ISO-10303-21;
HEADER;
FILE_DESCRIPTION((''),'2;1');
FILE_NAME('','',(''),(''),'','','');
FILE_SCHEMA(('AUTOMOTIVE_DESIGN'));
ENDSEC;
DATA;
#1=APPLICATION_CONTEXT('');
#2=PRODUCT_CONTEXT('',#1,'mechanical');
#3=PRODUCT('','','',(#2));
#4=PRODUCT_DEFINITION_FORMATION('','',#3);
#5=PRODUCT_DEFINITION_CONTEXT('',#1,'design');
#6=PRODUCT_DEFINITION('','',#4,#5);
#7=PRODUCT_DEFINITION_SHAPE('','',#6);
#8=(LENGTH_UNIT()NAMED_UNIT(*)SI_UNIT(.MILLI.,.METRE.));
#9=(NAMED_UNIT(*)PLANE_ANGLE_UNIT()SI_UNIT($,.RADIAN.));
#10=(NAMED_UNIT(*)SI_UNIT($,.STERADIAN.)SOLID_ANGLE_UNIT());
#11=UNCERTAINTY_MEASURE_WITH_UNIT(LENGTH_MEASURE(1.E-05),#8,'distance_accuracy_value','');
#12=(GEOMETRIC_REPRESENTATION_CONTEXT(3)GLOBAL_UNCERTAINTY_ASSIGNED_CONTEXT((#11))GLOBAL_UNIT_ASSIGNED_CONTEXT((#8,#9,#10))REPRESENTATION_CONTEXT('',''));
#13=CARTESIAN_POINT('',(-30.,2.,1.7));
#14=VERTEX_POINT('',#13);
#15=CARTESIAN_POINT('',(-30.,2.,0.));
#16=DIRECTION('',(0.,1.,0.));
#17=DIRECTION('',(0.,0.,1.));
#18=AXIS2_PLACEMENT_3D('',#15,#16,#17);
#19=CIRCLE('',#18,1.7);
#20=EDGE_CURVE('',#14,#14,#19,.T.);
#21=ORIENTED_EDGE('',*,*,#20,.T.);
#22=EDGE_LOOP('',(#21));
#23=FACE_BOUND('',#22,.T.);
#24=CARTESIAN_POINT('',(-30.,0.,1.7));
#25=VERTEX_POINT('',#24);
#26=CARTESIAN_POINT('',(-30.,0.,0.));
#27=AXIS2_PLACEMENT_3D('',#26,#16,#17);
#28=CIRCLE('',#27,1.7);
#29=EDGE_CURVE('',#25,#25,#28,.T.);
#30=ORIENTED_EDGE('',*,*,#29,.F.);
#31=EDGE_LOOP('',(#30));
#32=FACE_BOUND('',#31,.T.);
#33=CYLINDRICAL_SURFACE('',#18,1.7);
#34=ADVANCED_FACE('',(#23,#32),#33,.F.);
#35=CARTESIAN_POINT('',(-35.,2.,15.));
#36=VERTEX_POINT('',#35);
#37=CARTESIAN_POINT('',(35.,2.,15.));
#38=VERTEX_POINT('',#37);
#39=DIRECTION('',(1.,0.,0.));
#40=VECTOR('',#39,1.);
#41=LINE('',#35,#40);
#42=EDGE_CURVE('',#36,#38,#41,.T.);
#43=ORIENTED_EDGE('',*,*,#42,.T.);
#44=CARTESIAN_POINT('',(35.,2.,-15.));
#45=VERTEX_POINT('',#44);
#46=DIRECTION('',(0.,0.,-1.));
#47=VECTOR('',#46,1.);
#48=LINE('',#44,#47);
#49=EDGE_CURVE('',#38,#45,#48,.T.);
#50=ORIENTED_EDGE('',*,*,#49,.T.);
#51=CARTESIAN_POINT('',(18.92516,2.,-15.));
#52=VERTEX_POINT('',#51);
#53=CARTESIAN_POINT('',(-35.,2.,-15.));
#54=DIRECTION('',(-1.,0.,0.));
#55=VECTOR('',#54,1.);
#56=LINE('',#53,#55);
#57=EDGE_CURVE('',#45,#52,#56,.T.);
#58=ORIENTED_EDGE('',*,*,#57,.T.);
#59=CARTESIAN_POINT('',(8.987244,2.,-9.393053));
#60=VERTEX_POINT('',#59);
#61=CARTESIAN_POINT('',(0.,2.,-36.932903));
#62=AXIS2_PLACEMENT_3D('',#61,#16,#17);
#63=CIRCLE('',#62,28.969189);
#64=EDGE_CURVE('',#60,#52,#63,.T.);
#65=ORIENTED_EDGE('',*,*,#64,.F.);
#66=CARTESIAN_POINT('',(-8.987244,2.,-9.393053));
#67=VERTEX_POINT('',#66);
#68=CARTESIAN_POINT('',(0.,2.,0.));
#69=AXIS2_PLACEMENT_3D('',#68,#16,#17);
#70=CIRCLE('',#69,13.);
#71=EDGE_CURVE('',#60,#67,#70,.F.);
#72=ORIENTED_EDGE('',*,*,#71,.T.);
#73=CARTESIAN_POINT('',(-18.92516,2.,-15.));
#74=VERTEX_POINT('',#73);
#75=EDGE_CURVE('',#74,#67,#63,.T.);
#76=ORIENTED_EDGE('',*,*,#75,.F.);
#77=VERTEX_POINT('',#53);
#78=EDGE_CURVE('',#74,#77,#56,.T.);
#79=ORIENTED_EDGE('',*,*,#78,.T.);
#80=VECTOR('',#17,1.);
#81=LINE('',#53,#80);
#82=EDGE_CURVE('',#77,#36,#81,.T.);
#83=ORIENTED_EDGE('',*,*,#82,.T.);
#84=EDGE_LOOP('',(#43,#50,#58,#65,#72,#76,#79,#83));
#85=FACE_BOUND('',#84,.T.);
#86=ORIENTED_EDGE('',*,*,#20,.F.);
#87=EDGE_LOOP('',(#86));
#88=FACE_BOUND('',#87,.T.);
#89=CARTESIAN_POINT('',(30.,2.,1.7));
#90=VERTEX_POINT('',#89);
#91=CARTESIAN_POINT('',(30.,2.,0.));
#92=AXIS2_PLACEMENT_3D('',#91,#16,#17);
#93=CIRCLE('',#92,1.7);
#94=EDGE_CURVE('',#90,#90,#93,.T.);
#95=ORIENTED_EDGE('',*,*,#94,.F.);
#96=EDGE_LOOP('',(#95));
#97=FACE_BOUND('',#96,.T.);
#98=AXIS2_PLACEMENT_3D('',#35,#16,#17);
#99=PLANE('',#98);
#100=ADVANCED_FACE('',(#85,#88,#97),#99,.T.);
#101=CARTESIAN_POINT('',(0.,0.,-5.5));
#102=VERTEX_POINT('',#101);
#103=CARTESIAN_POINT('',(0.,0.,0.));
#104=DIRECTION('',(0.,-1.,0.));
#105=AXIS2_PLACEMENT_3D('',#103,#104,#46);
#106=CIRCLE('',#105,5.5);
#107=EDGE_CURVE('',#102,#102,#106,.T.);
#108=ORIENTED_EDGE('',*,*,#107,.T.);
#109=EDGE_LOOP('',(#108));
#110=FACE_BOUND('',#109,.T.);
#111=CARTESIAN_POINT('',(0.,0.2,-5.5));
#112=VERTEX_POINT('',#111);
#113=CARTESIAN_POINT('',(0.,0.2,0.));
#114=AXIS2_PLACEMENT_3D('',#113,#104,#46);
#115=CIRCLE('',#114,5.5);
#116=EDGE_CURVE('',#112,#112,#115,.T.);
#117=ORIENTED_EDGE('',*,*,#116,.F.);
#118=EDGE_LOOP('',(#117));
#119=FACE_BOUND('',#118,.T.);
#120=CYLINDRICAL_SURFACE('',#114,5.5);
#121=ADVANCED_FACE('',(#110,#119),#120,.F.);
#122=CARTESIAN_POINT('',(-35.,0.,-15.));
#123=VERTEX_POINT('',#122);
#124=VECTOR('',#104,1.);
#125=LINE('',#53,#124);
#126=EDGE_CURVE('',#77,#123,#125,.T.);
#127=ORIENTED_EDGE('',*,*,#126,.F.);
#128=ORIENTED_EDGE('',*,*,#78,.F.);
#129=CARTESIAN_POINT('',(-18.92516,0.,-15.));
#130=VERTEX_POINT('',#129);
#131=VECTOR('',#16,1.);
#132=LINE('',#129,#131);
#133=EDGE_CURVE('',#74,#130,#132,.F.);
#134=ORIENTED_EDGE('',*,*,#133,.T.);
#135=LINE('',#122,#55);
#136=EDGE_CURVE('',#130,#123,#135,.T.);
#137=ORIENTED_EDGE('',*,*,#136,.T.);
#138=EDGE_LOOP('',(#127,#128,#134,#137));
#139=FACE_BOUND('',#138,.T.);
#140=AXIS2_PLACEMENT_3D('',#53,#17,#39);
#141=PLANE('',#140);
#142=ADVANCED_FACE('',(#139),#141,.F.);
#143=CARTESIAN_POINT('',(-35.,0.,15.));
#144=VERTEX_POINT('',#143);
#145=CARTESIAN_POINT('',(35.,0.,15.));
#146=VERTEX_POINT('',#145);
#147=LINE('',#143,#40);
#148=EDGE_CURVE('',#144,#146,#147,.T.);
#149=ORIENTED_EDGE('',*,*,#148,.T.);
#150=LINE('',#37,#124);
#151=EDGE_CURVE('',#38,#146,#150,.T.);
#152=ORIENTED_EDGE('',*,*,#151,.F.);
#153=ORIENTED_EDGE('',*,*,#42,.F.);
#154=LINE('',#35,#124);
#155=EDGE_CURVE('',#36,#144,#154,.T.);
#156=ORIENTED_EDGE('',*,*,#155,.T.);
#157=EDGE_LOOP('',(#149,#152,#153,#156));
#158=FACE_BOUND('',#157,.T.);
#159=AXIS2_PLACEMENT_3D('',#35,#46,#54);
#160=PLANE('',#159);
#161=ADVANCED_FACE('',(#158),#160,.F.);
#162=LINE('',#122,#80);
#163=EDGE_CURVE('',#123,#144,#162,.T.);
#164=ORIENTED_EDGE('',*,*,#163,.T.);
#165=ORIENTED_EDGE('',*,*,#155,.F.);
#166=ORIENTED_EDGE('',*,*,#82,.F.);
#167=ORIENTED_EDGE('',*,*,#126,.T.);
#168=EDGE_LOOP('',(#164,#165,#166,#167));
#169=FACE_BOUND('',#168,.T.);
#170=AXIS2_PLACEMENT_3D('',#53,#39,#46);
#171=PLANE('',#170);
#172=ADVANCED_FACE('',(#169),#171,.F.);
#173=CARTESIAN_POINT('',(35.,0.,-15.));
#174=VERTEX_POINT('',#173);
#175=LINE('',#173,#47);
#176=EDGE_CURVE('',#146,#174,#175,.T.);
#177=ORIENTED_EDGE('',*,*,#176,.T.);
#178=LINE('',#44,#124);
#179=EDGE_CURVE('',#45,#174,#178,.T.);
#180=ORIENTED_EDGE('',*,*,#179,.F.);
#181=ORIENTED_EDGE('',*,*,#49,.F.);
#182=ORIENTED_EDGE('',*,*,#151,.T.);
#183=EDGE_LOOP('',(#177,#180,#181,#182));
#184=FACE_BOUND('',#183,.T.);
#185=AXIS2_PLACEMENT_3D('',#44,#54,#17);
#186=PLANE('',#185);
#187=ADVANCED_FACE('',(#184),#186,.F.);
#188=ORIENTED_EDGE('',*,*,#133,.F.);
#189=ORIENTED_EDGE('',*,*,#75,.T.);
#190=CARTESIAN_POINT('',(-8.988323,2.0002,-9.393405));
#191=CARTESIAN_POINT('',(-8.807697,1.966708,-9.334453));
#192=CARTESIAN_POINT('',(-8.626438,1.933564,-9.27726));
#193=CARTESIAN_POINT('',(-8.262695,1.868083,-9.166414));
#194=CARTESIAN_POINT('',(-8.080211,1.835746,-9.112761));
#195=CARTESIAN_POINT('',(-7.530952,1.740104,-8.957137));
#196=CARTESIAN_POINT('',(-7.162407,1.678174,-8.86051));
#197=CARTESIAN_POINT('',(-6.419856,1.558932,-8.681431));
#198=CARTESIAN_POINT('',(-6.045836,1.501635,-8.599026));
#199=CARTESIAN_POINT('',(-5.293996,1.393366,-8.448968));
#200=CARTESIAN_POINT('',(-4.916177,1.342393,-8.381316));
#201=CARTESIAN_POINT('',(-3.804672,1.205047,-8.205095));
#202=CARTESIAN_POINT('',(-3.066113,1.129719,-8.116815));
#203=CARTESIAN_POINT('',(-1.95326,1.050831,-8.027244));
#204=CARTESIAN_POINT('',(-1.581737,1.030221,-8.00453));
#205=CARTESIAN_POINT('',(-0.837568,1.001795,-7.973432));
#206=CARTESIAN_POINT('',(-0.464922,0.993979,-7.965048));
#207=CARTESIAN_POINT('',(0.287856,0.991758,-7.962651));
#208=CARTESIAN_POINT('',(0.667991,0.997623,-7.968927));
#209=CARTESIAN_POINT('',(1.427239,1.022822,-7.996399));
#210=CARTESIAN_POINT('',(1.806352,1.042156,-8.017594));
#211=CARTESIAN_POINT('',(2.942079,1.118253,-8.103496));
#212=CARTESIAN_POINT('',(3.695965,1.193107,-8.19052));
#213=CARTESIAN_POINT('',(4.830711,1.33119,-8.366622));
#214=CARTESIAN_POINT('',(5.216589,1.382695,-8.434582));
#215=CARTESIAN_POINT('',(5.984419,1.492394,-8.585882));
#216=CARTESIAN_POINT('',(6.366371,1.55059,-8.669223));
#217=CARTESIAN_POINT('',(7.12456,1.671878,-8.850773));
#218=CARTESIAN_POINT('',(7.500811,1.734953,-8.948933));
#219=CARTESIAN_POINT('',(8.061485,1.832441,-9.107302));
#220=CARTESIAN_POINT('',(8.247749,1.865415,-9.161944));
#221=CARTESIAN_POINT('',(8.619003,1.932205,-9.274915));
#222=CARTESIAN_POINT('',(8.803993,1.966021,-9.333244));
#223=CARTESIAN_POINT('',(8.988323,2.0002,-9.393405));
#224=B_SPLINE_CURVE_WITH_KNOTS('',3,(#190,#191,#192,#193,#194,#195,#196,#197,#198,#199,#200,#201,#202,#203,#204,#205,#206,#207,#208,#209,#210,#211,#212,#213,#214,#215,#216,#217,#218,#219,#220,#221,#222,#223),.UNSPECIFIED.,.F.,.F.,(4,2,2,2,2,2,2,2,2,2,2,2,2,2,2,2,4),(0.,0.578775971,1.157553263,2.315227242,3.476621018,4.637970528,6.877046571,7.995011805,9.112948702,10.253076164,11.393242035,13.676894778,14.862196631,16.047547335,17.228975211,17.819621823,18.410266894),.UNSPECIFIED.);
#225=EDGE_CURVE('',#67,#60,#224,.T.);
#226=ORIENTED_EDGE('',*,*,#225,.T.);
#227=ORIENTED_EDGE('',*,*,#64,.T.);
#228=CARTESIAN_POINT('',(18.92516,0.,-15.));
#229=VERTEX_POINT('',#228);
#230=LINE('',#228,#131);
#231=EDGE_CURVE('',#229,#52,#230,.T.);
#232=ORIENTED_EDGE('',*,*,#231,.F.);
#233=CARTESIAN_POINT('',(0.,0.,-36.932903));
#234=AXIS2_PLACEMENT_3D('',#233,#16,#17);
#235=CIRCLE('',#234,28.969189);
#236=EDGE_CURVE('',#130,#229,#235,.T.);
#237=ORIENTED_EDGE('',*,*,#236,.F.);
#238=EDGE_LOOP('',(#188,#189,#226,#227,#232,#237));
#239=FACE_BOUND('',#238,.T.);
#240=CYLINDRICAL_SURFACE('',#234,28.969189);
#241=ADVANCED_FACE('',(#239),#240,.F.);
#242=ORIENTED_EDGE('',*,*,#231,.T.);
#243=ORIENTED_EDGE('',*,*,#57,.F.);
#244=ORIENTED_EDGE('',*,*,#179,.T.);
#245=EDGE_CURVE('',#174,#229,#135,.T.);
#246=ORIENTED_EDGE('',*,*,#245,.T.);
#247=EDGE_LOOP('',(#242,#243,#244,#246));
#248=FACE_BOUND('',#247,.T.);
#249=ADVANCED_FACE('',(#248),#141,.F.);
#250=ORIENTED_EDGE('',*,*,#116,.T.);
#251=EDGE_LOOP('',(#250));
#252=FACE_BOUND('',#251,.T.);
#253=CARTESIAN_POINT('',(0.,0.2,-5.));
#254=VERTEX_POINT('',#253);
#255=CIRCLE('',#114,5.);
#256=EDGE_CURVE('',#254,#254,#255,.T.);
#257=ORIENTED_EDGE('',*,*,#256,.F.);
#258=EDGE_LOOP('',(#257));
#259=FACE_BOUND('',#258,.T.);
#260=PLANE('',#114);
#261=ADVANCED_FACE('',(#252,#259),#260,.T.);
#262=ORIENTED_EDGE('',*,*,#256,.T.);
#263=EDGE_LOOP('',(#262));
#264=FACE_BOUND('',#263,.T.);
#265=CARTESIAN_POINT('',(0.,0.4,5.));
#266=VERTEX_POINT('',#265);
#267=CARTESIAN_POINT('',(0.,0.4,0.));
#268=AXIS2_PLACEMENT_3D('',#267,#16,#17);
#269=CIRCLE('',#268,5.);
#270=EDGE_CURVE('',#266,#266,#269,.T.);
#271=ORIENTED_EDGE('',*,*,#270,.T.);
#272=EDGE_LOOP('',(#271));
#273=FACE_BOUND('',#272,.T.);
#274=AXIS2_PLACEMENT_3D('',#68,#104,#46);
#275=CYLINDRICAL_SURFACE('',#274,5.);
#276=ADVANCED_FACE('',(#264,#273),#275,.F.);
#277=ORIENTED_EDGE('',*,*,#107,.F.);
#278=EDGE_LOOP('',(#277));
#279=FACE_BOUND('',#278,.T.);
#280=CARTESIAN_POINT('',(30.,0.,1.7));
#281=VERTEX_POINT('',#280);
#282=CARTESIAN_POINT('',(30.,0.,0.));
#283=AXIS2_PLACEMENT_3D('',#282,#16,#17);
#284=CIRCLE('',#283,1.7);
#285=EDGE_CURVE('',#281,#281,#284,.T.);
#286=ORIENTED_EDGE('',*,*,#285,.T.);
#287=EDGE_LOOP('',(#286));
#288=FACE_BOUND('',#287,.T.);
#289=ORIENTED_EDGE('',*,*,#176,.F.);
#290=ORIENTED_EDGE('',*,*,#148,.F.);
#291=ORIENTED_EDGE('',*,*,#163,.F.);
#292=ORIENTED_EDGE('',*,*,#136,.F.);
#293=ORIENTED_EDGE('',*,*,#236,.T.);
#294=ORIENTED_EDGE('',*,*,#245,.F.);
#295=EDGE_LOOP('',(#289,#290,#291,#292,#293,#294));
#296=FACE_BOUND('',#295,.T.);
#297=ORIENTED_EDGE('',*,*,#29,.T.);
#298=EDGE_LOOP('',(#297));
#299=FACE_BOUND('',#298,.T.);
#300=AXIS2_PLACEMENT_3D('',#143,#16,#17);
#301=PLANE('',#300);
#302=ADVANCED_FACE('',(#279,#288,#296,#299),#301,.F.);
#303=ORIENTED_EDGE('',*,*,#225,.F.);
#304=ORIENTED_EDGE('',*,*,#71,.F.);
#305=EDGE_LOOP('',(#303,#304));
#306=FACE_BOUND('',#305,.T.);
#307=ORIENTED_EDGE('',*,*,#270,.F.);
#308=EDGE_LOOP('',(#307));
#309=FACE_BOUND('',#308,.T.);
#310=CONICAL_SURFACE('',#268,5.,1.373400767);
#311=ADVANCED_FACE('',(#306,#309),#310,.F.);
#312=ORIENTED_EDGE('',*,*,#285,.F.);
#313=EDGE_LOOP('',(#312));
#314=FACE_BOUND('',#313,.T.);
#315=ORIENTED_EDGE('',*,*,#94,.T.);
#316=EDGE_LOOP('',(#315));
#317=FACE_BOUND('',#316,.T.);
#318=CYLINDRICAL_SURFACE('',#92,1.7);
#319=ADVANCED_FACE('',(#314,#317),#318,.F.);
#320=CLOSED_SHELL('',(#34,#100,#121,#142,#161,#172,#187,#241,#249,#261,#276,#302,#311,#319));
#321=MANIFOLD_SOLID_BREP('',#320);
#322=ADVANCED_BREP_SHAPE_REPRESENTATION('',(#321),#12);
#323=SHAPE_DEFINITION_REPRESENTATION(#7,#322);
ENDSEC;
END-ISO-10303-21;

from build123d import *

# Parameters (mm, degrees)
SKETCH1_W            = 70
SKETCH1_H            = 30
SKETCH1_R            = 5
EXTRUDE1_DEPTH       = 2
CHAMFER1_SIZE        = 8
CHAMFER1_SIZE2       = 1.6
SKETCH3_R            = 5.5
CUT_EXTRUDE1_DEPTH   = 0.2
M3_CLEARANCE_HOLE1_D = 3.4
SKETCH7_R            = 28.969188929
CUT_EXTRUDE2_DEPTH   = 3


with BuildPart() as part:
    # Sketch1 → Extrude1 (new body)
    with BuildSketch(Plane(origin=(0, 0, 0), x_dir=(1, 0, 0), z_dir=(0, 1, 0))):
        Rectangle(SKETCH1_W, SKETCH1_H)
        Circle(SKETCH1_R, mode=Mode.SUBTRACT)
    extrude(amount=EXTRUDE1_DEPTH)

    # Chamfer1
    chamfer1_edges = [part.edges().sort_by_distance(p)[0] for p in [
        (-5, 2, 0),
    ]]
    chamfer1_side = [part.faces().sort_by_distance(p)[0] for p in [
        (0, 2, -14.238422689),
    ]]
    chamfer(chamfer1_edges, length=CHAMFER1_SIZE, length2=CHAMFER1_SIZE2, reference=chamfer1_side[0])

    # Sketch3 → Cut-Extrude1 (cut)
    with BuildSketch(Plane.XZ):
        Circle(SKETCH3_R)
    extrude(amount=-CUT_EXTRUDE1_DEPTH, mode=Mode.SUBTRACT)

    # M3 Clearance Hole1 (through all)
    with Locations(Plane(origin=(0, 2, 0), x_dir=(-1, 0, 0), z_dir=(0, 1, 0))):
        with Locations((-30, 0), (30, 0)):
            Hole(M3_CLEARANCE_HOLE1_D / 2)

    # Sketch7 → Cut-Extrude2 (cut, through all)
    with BuildSketch(Plane(origin=(0, 2, 0), x_dir=(-1, 0, 0), z_dir=(0, 1, 0))):
        with Locations((0, -36.93290324)):
            Circle(SKETCH7_R)
    extrude(amount=-CUT_EXTRUDE2_DEPTH, mode=Mode.SUBTRACT)


solid = part.part
